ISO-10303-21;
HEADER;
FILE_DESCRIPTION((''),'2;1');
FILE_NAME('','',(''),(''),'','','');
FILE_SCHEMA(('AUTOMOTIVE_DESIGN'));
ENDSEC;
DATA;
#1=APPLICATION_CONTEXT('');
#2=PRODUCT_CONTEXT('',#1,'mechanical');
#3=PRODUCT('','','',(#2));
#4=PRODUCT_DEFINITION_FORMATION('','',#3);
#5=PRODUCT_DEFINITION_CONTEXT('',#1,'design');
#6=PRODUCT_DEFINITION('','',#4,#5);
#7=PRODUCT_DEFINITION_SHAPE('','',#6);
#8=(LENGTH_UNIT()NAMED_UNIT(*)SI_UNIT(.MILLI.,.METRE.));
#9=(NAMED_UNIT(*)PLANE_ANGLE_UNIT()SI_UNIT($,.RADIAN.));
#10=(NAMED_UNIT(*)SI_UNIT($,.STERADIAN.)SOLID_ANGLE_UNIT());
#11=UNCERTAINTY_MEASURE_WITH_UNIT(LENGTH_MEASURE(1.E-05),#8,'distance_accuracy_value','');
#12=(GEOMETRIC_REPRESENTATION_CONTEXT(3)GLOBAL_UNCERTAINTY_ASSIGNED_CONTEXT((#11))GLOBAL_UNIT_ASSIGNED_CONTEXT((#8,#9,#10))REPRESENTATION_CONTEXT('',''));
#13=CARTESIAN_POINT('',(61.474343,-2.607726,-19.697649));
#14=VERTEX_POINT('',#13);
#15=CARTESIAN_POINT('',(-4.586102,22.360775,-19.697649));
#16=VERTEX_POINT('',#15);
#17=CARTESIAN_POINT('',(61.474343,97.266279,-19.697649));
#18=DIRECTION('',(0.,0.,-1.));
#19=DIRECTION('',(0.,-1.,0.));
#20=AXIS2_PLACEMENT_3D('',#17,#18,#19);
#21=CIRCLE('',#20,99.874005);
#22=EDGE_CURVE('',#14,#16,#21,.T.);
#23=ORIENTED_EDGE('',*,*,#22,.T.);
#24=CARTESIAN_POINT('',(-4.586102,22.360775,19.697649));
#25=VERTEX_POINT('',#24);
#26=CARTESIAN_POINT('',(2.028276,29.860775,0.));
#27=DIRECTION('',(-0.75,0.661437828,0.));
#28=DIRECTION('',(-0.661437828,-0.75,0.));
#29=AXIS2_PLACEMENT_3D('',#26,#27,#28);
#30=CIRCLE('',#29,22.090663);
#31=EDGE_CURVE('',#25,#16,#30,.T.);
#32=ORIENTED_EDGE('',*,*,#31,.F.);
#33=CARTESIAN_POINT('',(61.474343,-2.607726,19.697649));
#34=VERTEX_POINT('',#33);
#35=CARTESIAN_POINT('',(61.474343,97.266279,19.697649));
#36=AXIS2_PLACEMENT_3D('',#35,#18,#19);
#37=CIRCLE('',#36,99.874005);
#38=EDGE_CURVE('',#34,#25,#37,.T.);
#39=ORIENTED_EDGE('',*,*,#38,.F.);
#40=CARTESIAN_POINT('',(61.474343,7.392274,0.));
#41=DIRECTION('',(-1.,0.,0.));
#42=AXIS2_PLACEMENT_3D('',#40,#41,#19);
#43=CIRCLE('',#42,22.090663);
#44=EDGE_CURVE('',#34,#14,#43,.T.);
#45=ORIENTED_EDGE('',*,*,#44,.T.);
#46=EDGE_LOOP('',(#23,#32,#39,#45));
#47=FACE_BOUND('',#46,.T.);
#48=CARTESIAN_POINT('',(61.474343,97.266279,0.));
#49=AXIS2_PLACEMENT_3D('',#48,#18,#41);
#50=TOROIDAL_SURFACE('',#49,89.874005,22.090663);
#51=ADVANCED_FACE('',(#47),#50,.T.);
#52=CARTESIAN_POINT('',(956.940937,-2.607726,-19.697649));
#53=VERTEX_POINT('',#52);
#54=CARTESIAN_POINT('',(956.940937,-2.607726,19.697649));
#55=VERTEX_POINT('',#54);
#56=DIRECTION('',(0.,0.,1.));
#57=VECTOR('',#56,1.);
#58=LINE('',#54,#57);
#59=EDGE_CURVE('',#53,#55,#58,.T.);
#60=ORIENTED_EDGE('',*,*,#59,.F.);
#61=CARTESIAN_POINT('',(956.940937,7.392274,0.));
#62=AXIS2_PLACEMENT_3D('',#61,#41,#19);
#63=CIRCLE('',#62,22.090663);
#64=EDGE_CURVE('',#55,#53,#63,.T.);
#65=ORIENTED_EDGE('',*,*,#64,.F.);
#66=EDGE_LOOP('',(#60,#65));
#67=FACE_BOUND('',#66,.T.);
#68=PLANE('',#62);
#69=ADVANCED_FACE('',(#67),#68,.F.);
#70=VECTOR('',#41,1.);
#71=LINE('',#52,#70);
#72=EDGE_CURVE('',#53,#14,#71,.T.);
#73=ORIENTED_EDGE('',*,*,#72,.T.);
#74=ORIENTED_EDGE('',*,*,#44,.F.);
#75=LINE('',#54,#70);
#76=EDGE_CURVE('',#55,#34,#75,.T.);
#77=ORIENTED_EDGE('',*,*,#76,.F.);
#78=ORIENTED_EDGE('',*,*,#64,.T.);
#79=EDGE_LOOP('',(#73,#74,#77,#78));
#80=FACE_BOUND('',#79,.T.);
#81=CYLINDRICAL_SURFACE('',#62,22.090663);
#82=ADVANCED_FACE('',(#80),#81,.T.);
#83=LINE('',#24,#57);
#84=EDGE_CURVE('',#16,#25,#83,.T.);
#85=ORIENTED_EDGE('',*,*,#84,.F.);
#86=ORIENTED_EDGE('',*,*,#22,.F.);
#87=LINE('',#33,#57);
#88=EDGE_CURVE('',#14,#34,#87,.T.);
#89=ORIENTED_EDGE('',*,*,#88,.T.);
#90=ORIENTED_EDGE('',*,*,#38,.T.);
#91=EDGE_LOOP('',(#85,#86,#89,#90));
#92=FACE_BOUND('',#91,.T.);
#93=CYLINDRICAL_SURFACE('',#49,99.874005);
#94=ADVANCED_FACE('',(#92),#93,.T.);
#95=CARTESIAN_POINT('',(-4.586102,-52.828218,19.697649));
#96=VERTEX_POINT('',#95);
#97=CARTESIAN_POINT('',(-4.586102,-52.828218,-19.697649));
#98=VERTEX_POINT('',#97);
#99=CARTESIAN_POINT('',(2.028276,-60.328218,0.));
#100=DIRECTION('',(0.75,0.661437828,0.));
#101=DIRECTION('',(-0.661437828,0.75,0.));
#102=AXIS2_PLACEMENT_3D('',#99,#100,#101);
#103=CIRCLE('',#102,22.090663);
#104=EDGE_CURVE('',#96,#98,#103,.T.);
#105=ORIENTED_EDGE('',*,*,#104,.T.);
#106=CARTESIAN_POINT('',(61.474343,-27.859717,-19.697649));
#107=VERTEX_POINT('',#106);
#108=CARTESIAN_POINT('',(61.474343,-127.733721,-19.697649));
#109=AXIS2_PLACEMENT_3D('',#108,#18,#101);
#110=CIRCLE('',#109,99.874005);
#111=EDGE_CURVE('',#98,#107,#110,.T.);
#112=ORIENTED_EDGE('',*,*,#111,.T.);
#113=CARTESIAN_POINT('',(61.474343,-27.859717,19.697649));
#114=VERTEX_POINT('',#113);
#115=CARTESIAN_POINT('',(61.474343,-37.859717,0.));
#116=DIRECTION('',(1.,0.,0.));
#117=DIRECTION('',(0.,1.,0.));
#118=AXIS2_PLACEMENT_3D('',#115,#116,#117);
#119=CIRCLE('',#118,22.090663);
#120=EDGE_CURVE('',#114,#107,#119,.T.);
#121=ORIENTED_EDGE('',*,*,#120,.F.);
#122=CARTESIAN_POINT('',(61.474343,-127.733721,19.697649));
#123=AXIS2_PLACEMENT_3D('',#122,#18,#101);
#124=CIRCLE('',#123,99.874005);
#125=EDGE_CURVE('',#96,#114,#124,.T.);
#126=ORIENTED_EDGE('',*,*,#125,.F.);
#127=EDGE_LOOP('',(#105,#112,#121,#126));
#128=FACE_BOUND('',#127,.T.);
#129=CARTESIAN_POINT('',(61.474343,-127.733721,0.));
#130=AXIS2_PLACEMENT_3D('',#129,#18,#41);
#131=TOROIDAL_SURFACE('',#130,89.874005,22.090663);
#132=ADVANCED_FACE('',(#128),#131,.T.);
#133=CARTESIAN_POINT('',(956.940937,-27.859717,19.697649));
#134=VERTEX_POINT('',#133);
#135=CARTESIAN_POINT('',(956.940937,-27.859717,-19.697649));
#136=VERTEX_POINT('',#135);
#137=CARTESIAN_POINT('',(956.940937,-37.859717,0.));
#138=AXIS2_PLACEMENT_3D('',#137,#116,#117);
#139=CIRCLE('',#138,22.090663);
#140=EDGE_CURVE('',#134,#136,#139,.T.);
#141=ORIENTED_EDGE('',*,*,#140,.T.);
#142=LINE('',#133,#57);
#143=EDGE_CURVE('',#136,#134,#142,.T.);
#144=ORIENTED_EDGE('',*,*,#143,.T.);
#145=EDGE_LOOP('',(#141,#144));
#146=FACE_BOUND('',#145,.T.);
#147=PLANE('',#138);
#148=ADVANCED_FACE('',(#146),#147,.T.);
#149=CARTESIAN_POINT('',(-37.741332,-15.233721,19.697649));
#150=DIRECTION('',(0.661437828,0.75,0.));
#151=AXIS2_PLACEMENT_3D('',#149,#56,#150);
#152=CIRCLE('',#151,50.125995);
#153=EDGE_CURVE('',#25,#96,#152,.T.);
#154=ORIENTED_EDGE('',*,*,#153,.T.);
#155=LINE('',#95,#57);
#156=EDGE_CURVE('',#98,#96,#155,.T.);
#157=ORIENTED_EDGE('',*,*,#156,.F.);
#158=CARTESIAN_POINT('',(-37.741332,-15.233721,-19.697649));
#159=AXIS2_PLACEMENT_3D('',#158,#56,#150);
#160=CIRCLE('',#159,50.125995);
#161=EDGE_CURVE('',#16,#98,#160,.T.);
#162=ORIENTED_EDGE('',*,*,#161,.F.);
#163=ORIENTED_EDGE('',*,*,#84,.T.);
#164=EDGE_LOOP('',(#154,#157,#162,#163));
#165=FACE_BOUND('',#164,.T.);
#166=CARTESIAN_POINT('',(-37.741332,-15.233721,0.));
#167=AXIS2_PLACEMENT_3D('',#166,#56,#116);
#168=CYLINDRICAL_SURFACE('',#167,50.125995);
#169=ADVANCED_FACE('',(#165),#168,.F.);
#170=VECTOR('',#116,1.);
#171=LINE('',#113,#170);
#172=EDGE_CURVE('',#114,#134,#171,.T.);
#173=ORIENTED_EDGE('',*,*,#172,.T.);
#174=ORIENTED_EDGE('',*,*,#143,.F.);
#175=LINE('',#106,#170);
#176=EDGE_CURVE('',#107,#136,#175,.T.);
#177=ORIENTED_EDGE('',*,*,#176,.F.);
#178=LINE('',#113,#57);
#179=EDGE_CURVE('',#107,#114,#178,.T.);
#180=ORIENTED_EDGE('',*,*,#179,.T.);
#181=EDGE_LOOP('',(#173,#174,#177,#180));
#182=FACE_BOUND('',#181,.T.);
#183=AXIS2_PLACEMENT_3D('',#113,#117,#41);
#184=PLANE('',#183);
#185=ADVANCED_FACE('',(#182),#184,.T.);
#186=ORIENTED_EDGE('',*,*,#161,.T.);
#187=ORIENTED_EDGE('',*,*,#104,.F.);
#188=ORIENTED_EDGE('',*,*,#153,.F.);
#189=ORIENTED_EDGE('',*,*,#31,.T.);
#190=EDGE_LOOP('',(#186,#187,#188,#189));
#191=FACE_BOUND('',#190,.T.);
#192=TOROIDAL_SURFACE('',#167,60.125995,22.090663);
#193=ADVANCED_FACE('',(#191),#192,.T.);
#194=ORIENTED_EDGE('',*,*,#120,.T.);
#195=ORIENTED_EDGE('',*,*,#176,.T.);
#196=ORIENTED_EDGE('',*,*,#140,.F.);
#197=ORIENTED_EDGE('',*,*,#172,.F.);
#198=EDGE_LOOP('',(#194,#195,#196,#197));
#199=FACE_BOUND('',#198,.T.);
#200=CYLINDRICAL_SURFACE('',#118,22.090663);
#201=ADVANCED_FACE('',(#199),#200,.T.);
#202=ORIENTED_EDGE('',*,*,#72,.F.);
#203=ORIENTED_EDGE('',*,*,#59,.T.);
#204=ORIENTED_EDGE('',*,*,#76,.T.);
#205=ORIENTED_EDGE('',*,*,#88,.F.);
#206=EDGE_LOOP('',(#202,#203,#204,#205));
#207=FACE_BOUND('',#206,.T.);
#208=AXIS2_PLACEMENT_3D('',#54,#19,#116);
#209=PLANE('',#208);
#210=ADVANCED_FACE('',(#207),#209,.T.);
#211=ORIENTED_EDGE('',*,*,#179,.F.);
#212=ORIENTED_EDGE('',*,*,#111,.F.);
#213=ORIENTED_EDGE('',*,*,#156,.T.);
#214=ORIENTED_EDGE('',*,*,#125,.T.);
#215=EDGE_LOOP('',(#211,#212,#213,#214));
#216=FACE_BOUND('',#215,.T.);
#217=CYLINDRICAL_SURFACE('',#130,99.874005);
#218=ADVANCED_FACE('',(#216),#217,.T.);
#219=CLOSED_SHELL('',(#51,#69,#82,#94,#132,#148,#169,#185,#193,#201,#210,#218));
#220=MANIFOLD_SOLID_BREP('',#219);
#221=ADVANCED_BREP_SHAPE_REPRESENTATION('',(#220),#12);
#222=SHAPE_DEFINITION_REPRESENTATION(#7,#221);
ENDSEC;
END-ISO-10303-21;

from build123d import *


with BuildPart() as part:
    # Sweep3: sweep along a path in Sketch1
    with BuildLine(Plane.XY) as sweep3_path:
        Line((956.940936911, -27.733721479), (61.474342577, -27.733721479))
        ThreePointArc((61.474342577, -27.733721479), (26.119003518, -34.19228681), (-4.669440199, -52.733721479))
        ThreePointArc((-4.669440199, -52.733721479), (-87.741331587, -15.233721479), (-4.669440199, 22.266278521))
        ThreePointArc((-4.669440199, 22.266278521), (26.119003518, 3.724843852), (61.474342577, -2.733721479))
        Line((61.474342577, -2.733721479), (956.940936911, -2.733721479))
    # Sketch2 → Sweep3 (sweep)
    with BuildSketch(Plane(origin=(956.940936911, -2.733721479, 0), x_dir=(0, 0, 1), z_dir=(-1, 0, 0))):
        with BuildLine():
            Line((19.697649121, 0.125995109), (-19.697649121, 0.125995109))
            ThreePointArc((-19.697649121, 0.125995109), (0, 32.216657863), (19.697649121, 0.125995109))
        make_face()
    sweep(path=sweep3_path.line)


solid = part.part
